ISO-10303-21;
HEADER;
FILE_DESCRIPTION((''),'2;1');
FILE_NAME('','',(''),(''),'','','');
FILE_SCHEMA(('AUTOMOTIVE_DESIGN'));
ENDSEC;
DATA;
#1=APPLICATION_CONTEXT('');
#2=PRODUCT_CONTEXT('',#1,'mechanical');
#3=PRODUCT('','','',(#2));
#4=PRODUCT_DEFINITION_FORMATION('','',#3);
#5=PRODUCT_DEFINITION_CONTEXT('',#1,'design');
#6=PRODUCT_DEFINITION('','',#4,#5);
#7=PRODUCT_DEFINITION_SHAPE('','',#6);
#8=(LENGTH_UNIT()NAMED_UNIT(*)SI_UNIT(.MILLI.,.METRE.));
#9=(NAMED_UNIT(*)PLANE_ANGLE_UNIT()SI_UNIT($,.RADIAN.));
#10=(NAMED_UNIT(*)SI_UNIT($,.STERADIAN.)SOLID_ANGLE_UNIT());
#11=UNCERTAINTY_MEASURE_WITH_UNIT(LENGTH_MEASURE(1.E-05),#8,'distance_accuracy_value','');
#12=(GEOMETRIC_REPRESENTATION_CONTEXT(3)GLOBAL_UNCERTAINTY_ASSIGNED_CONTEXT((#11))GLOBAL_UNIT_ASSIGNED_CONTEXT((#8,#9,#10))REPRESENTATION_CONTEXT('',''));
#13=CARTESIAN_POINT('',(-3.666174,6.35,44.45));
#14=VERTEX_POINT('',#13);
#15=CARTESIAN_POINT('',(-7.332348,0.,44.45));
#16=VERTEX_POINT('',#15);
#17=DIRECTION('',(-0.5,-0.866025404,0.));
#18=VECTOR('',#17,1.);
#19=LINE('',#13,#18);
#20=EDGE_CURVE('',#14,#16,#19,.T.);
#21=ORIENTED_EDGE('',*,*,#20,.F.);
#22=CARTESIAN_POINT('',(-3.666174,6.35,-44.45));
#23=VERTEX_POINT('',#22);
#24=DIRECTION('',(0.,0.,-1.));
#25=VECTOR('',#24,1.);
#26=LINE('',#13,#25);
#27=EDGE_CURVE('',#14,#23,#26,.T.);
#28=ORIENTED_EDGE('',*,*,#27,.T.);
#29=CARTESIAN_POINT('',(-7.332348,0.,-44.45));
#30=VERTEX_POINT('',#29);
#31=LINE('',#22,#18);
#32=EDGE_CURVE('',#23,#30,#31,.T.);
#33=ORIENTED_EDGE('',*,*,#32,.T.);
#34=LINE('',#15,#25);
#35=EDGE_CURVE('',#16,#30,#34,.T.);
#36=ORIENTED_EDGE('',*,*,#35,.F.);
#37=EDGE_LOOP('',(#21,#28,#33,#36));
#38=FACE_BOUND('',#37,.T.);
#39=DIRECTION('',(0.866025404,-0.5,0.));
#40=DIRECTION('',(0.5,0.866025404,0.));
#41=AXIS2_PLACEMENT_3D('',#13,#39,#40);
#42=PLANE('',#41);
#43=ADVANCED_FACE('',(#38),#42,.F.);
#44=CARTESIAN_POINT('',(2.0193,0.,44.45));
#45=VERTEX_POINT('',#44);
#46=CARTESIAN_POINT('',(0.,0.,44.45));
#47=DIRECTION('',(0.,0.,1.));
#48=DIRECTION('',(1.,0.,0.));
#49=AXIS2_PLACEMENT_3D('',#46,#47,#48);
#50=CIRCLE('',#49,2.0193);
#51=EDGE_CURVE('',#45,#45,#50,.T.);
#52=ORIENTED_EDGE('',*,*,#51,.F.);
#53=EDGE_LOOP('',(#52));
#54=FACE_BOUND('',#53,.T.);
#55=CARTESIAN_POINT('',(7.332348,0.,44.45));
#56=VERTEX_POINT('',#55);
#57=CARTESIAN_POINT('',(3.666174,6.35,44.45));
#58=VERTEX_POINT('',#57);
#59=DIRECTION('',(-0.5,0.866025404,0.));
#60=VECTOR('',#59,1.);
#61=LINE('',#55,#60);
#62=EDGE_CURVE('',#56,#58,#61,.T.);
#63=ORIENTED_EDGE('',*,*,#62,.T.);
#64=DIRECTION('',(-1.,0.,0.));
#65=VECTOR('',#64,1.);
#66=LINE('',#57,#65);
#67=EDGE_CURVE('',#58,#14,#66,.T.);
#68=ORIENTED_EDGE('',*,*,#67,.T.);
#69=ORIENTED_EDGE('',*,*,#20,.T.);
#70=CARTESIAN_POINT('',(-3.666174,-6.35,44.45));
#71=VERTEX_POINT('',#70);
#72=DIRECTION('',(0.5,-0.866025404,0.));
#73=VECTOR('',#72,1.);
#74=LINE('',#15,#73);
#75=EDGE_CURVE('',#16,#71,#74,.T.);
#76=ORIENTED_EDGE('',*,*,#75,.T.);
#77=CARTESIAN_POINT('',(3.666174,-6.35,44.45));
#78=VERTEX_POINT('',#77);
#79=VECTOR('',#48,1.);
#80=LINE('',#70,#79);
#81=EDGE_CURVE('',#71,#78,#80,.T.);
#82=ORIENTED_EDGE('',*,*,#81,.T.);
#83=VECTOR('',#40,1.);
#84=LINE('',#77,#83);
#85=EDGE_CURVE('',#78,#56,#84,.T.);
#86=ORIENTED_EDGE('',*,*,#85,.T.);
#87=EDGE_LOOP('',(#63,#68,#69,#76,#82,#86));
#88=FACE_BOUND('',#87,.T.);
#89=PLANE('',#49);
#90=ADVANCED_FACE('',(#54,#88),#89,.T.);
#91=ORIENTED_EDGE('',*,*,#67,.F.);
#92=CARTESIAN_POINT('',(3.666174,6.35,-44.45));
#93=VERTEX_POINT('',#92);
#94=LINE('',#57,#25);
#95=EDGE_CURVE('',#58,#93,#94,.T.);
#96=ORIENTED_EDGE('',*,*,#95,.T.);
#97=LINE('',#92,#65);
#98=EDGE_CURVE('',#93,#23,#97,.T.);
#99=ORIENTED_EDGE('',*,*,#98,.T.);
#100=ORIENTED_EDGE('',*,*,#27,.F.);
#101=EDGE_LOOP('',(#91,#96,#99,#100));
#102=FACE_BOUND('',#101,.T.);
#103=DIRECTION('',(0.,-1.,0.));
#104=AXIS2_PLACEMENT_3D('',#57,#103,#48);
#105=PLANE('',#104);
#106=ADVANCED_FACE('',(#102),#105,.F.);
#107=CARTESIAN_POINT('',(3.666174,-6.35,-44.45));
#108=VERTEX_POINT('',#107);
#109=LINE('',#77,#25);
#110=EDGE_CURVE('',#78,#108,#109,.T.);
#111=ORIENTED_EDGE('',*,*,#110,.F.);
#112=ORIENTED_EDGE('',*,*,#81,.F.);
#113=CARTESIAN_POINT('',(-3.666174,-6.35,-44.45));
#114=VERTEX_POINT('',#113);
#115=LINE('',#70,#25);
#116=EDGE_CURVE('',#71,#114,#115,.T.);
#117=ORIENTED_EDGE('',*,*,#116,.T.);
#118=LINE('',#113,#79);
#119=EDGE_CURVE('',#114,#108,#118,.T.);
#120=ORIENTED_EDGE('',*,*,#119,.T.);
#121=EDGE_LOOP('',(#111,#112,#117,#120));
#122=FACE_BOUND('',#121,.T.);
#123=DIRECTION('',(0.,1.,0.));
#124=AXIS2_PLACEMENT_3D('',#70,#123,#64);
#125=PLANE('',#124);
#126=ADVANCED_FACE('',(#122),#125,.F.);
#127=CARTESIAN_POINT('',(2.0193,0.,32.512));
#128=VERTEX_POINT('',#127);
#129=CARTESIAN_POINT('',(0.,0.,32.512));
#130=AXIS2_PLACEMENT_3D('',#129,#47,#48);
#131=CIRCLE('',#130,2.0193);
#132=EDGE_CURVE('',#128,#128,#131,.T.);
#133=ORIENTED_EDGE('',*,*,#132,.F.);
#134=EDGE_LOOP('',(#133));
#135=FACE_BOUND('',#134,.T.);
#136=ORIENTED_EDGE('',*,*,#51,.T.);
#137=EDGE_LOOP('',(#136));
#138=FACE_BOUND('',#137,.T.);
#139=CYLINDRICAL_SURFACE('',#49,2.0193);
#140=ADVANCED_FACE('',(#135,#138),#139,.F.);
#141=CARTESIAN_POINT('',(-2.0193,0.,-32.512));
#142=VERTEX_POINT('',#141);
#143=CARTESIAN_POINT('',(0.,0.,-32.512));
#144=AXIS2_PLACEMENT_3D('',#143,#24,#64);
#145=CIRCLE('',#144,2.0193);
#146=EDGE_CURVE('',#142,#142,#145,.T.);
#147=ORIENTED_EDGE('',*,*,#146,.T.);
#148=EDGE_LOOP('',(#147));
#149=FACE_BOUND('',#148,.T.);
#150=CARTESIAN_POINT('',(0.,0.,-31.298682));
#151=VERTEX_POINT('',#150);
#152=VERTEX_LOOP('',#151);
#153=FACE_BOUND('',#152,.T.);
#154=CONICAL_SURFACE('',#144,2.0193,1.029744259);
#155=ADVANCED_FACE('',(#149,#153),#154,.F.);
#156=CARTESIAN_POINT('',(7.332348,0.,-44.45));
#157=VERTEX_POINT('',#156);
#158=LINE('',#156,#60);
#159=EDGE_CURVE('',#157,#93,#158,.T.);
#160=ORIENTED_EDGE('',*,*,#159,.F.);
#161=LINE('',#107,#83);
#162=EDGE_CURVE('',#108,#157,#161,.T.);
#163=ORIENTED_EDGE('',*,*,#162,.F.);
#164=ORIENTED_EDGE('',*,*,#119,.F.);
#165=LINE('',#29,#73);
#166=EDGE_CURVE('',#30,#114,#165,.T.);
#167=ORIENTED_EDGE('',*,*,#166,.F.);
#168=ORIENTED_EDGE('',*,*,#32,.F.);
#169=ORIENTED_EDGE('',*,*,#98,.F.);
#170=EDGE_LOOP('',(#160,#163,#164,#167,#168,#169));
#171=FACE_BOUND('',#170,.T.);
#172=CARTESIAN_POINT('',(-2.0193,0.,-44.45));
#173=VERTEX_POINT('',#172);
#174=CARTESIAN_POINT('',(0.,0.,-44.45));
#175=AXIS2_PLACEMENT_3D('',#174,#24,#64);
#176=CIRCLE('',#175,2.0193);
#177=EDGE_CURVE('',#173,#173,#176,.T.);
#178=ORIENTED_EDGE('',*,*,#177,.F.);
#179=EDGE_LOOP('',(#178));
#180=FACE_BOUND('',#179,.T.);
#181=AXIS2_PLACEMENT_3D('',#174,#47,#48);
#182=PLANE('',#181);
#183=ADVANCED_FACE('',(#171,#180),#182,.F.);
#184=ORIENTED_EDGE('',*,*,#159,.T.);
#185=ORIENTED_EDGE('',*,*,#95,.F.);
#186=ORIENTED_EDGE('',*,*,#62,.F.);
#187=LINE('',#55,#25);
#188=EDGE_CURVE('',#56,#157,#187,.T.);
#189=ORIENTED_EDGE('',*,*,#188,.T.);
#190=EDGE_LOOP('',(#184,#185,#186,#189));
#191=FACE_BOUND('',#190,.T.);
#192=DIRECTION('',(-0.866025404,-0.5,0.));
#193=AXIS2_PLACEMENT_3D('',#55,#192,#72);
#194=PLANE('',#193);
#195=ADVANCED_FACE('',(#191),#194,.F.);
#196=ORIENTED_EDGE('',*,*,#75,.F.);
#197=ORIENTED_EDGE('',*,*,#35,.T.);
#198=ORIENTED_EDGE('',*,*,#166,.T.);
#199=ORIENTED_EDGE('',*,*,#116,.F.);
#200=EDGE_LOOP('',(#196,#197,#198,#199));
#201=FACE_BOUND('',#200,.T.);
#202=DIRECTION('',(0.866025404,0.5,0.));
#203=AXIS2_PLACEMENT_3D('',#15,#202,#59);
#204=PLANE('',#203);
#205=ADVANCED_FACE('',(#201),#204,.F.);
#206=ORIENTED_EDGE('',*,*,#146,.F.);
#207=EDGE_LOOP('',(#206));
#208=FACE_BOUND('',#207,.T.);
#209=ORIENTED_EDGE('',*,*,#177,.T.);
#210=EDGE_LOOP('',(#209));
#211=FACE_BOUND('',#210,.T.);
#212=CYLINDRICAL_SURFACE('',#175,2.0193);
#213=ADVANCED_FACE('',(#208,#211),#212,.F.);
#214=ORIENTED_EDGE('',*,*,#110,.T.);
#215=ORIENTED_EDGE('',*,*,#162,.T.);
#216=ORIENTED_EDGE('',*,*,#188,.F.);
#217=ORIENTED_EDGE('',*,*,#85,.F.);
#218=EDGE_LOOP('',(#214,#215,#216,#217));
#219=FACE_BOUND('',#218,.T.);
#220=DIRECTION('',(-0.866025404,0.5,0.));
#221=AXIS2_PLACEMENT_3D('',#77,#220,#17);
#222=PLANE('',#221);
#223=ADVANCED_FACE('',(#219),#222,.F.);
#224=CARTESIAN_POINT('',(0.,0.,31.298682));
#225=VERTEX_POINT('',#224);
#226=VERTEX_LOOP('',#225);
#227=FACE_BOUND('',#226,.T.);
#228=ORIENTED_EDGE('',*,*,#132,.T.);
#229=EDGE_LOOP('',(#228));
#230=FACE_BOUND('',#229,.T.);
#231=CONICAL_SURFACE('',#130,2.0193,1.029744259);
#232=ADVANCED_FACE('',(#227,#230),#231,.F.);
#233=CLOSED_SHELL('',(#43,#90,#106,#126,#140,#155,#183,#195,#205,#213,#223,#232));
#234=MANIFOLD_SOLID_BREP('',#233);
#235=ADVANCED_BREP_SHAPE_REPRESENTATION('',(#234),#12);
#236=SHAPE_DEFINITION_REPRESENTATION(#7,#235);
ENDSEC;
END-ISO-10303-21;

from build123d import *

# Parameters (mm, degrees)
BOSS_EXTRUDE1_DEPTH                  = 44.45
F_10_32_TAPPED_HOLE1_D               = 4.0386
F_10_32_TAPPED_HOLE1_DEPTH           = 11.938
F_10_32_TAPPED_HOLE1_TIP             = 1.213317848
F_10_32_TAPPED_HOLE1_ON_FACE_2_D     = 4.0386
F_10_32_TAPPED_HOLE1_ON_FACE_2_DEPTH = 11.938
F_10_32_TAPPED_HOLE1_ON_FACE_2_TIP   = 1.213317848


with BuildPart() as part:
    # Sketch1 → Boss-Extrude1 (new, symmetric)
    with BuildSketch(Plane.XY):
        Polygon((7.332348419, 0), (3.666174209, 6.35), (-3.666174209, 6.35), (-7.332348419, 0), (-3.666174209, -6.35), (3.666174209, -6.35), align=None)
    extrude(amount=BOSS_EXTRUDE1_DEPTH, both=True)

    # #10-32 Tapped Hole1
    with Locations(Plane.XY.offset(44.45)):
        with Locations((0, 0)):
            Hole(F_10_32_TAPPED_HOLE1_D / 2, depth=F_10_32_TAPPED_HOLE1_DEPTH)
            with Locations((0, 0, -(F_10_32_TAPPED_HOLE1_DEPTH + F_10_32_TAPPED_HOLE1_TIP / 2))):  # 118° drill point
                Cone(0, F_10_32_TAPPED_HOLE1_D / 2, F_10_32_TAPPED_HOLE1_TIP, mode=Mode.SUBTRACT)

    # #10-32 Tapped Hole1 on face 2
    with Locations(Plane(origin=(0, 0, -44.45), x_dir=(-1, 0, 0), z_dir=(0, 0, -1))):
        with Locations((0, 0)):
            Hole(F_10_32_TAPPED_HOLE1_ON_FACE_2_D / 2, depth=F_10_32_TAPPED_HOLE1_ON_FACE_2_DEPTH)
            with Locations((0, 0, -(F_10_32_TAPPED_HOLE1_ON_FACE_2_DEPTH + F_10_32_TAPPED_HOLE1_ON_FACE_2_TIP / 2))):  # 118° drill point
                Cone(0, F_10_32_TAPPED_HOLE1_ON_FACE_2_D / 2, F_10_32_TAPPED_HOLE1_ON_FACE_2_TIP, mode=Mode.SUBTRACT)


solid = part.part
